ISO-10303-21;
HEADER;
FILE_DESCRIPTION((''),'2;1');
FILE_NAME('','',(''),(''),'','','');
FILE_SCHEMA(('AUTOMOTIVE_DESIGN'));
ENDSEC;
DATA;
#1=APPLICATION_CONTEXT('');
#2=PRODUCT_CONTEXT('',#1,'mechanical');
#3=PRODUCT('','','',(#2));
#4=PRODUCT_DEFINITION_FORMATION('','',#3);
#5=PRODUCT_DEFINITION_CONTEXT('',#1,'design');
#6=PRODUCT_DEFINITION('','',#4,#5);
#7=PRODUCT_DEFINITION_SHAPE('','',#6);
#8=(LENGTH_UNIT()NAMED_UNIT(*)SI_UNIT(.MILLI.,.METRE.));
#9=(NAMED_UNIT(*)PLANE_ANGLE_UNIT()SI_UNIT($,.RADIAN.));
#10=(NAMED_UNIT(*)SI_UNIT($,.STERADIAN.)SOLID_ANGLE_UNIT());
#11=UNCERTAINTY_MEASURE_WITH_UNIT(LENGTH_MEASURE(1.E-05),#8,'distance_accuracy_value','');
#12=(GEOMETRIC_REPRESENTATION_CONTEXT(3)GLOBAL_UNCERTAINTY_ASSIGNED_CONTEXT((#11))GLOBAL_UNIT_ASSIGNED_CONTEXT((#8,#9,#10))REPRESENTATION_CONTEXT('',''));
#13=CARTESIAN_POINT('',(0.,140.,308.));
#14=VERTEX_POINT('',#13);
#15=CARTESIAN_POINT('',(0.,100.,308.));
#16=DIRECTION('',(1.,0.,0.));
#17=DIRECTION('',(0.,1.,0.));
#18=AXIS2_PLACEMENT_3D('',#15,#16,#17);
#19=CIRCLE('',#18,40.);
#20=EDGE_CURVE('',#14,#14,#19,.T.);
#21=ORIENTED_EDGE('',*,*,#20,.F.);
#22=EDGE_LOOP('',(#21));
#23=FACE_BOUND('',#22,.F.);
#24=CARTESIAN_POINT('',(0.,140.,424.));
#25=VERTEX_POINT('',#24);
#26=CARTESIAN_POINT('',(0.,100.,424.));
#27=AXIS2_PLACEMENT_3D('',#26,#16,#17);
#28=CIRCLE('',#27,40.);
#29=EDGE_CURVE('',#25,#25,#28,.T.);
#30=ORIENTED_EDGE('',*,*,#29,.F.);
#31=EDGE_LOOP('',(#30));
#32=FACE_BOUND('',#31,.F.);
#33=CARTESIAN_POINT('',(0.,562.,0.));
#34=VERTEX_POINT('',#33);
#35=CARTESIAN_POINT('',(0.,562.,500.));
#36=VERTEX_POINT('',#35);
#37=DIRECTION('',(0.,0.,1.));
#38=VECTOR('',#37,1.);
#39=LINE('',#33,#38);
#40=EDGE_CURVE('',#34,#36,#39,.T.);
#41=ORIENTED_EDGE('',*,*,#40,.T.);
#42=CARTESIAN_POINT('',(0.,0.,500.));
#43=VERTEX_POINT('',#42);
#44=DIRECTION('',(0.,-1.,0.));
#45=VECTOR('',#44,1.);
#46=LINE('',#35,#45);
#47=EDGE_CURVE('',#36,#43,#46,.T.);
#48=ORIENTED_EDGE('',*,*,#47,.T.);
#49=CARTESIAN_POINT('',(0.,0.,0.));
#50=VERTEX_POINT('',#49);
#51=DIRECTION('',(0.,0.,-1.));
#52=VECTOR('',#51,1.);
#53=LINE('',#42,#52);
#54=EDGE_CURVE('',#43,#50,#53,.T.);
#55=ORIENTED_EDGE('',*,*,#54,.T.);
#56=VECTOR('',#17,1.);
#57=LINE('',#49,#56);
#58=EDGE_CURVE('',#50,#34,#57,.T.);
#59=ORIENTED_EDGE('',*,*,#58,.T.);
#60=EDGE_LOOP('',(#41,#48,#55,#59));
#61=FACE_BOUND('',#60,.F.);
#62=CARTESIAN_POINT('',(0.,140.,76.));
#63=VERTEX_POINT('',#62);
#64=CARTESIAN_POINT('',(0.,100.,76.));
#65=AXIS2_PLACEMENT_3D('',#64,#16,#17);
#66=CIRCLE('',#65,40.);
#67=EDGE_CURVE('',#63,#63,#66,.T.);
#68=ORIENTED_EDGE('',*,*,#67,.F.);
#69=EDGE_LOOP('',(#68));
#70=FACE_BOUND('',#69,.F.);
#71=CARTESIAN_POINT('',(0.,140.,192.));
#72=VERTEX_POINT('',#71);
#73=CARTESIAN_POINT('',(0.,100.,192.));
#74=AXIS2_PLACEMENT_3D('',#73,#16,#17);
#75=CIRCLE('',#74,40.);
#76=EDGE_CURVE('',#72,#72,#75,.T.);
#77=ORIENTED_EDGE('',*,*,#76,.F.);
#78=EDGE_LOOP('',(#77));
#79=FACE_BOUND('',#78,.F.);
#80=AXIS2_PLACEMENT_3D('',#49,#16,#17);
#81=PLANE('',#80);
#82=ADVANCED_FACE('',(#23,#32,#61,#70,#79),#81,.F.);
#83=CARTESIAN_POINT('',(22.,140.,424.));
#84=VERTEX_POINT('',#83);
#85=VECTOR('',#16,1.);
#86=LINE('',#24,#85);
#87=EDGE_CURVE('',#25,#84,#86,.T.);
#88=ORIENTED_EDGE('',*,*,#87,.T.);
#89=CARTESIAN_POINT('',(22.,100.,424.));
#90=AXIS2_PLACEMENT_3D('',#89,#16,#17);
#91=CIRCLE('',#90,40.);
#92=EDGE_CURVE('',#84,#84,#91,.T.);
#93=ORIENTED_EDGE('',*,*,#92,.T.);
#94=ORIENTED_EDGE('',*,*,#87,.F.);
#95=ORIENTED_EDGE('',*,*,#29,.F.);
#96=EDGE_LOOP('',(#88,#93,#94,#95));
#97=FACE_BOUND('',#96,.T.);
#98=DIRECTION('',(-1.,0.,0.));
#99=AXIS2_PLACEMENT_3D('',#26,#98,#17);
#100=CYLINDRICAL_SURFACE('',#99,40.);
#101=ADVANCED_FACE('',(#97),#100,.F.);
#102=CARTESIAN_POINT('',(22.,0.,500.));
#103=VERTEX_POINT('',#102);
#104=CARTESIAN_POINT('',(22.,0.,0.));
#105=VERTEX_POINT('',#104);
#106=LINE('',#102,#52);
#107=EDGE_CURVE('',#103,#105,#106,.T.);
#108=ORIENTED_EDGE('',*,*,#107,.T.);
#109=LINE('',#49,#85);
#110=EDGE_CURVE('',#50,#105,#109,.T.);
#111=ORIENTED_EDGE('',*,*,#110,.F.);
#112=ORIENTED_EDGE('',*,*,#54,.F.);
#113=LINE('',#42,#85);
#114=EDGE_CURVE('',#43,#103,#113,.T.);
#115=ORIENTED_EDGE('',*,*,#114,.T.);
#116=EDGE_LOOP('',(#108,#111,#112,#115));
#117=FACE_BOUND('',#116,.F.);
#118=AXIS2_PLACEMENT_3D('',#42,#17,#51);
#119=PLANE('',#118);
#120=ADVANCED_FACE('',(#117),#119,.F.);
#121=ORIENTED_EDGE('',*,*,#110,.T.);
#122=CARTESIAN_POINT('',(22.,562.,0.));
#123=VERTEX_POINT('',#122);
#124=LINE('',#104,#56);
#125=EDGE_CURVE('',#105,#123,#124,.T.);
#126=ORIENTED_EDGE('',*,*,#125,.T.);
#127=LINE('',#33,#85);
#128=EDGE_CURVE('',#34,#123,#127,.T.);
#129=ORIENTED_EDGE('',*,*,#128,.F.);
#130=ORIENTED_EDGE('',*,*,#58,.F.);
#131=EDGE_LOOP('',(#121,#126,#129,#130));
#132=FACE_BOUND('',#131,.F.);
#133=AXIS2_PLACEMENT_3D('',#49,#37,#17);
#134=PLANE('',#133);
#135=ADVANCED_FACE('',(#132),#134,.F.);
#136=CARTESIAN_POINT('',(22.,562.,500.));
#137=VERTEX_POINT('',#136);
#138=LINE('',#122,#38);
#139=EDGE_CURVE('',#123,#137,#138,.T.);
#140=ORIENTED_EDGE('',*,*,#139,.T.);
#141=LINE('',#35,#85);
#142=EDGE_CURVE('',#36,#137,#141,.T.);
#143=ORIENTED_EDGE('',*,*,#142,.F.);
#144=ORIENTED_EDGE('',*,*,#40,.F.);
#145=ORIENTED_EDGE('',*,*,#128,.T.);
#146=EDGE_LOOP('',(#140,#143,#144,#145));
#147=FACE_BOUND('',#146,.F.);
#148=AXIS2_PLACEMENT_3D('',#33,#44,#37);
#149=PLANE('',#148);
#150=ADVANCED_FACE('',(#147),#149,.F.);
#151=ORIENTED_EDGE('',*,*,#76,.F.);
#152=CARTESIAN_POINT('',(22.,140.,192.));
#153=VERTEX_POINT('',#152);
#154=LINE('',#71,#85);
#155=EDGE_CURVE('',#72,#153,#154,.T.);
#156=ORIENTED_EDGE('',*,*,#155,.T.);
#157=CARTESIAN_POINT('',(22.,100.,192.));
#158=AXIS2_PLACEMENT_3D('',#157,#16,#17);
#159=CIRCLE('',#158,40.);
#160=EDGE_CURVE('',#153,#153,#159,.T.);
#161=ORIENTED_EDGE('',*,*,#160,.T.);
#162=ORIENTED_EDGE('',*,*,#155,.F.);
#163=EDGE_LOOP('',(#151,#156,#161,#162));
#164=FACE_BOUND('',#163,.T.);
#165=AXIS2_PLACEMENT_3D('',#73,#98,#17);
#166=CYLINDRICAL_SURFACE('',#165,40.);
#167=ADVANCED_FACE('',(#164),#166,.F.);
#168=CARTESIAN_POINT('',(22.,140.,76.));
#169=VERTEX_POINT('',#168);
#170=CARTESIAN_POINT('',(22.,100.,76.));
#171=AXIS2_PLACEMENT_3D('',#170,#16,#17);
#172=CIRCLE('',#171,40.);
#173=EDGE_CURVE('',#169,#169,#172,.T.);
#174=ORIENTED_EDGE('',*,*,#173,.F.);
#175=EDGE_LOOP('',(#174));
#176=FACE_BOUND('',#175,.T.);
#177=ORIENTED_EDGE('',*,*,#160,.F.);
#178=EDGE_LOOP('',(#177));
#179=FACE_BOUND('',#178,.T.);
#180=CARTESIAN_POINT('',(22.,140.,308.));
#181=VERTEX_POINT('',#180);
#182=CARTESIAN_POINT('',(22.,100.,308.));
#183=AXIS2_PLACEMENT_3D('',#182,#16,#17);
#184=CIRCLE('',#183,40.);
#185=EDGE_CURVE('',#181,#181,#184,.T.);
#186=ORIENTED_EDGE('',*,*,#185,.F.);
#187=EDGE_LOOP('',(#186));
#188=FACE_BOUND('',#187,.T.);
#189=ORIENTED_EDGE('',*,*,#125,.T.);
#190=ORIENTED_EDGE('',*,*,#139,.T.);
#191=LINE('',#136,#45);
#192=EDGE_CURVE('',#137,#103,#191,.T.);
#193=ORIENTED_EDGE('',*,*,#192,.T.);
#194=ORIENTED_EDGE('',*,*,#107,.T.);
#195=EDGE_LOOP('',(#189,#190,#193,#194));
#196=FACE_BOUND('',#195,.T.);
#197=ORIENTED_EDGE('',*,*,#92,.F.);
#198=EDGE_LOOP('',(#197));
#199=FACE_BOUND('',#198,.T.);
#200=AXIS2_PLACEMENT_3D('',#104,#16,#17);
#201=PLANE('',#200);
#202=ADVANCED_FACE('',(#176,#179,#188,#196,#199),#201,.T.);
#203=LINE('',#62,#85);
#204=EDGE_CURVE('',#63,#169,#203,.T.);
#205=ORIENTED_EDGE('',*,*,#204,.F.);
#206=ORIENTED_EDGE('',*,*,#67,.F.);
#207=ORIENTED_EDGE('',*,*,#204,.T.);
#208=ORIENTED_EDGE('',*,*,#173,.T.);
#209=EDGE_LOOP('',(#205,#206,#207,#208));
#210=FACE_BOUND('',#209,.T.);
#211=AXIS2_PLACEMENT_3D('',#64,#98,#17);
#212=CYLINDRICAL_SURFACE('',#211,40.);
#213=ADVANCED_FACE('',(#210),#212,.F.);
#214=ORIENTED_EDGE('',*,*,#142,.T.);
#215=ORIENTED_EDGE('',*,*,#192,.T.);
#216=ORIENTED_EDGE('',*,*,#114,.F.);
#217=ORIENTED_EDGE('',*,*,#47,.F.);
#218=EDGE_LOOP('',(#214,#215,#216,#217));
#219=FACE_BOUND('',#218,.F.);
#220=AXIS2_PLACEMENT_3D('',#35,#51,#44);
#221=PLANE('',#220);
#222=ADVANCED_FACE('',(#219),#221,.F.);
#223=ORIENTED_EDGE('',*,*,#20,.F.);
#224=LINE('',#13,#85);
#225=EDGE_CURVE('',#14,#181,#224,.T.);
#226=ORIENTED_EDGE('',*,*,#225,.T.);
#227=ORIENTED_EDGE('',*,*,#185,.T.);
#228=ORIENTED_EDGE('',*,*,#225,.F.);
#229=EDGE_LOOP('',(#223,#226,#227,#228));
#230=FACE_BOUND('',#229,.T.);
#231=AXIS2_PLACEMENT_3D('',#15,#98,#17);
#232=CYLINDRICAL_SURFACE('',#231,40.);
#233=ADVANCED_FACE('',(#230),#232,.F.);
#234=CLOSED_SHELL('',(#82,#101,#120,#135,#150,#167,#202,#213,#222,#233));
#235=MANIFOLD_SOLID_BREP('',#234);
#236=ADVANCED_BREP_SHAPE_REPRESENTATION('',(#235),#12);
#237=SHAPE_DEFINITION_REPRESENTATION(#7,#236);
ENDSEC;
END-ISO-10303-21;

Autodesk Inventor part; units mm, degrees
ref_plane "YZ Plane" through (0, 0, 0) normal (1, 0, 0) x (0, 1, 0)
ref_plane "XZ Plane" through (0, 0, 0) normal (0, 1, 0) x (-1, 0, 0)
ref_plane "XY Plane" through (0, 0, 0) normal (0, 0, 1) x (1, 0, 0)
sketch "Sketch4" plane through (0, 0, 0) normal (1, 0, 0) x (0, 1, 0)
  line L0 (0, 0) -> (562, 0)
  line L1 (562, 0) -> (562, 500)
  line L2 (562, 500) -> (0, 500)
  line L3 (0, 500) -> (0, 0)
  circle A0 centre (100, 424) radius 40
  circle A1 centre (100, 192) radius 40
  circle A2 centre (100, 76) radius 40
  circle A3 centre (100, 308) radius 40
  dimension "d31" = 562
  dimension "d33" = 500
  dimension "d34" = 80
  dimension "d35" = 80
  dimension "d36" = 80
  dimension "d37" = 80
  dimension "d39" = 100
  dimension "d40" = 100
  dimension "d41" = 100
  dimension "d42" = 100
  dimension "d50" = 76
  dimension "d51" = 192
  dimension "d52" = 76
  dimension "d53" = 192
extrude "Extrusion2" add sketch "Sketch4" along normal blind 22
properties part number "schreibtischplatte"
